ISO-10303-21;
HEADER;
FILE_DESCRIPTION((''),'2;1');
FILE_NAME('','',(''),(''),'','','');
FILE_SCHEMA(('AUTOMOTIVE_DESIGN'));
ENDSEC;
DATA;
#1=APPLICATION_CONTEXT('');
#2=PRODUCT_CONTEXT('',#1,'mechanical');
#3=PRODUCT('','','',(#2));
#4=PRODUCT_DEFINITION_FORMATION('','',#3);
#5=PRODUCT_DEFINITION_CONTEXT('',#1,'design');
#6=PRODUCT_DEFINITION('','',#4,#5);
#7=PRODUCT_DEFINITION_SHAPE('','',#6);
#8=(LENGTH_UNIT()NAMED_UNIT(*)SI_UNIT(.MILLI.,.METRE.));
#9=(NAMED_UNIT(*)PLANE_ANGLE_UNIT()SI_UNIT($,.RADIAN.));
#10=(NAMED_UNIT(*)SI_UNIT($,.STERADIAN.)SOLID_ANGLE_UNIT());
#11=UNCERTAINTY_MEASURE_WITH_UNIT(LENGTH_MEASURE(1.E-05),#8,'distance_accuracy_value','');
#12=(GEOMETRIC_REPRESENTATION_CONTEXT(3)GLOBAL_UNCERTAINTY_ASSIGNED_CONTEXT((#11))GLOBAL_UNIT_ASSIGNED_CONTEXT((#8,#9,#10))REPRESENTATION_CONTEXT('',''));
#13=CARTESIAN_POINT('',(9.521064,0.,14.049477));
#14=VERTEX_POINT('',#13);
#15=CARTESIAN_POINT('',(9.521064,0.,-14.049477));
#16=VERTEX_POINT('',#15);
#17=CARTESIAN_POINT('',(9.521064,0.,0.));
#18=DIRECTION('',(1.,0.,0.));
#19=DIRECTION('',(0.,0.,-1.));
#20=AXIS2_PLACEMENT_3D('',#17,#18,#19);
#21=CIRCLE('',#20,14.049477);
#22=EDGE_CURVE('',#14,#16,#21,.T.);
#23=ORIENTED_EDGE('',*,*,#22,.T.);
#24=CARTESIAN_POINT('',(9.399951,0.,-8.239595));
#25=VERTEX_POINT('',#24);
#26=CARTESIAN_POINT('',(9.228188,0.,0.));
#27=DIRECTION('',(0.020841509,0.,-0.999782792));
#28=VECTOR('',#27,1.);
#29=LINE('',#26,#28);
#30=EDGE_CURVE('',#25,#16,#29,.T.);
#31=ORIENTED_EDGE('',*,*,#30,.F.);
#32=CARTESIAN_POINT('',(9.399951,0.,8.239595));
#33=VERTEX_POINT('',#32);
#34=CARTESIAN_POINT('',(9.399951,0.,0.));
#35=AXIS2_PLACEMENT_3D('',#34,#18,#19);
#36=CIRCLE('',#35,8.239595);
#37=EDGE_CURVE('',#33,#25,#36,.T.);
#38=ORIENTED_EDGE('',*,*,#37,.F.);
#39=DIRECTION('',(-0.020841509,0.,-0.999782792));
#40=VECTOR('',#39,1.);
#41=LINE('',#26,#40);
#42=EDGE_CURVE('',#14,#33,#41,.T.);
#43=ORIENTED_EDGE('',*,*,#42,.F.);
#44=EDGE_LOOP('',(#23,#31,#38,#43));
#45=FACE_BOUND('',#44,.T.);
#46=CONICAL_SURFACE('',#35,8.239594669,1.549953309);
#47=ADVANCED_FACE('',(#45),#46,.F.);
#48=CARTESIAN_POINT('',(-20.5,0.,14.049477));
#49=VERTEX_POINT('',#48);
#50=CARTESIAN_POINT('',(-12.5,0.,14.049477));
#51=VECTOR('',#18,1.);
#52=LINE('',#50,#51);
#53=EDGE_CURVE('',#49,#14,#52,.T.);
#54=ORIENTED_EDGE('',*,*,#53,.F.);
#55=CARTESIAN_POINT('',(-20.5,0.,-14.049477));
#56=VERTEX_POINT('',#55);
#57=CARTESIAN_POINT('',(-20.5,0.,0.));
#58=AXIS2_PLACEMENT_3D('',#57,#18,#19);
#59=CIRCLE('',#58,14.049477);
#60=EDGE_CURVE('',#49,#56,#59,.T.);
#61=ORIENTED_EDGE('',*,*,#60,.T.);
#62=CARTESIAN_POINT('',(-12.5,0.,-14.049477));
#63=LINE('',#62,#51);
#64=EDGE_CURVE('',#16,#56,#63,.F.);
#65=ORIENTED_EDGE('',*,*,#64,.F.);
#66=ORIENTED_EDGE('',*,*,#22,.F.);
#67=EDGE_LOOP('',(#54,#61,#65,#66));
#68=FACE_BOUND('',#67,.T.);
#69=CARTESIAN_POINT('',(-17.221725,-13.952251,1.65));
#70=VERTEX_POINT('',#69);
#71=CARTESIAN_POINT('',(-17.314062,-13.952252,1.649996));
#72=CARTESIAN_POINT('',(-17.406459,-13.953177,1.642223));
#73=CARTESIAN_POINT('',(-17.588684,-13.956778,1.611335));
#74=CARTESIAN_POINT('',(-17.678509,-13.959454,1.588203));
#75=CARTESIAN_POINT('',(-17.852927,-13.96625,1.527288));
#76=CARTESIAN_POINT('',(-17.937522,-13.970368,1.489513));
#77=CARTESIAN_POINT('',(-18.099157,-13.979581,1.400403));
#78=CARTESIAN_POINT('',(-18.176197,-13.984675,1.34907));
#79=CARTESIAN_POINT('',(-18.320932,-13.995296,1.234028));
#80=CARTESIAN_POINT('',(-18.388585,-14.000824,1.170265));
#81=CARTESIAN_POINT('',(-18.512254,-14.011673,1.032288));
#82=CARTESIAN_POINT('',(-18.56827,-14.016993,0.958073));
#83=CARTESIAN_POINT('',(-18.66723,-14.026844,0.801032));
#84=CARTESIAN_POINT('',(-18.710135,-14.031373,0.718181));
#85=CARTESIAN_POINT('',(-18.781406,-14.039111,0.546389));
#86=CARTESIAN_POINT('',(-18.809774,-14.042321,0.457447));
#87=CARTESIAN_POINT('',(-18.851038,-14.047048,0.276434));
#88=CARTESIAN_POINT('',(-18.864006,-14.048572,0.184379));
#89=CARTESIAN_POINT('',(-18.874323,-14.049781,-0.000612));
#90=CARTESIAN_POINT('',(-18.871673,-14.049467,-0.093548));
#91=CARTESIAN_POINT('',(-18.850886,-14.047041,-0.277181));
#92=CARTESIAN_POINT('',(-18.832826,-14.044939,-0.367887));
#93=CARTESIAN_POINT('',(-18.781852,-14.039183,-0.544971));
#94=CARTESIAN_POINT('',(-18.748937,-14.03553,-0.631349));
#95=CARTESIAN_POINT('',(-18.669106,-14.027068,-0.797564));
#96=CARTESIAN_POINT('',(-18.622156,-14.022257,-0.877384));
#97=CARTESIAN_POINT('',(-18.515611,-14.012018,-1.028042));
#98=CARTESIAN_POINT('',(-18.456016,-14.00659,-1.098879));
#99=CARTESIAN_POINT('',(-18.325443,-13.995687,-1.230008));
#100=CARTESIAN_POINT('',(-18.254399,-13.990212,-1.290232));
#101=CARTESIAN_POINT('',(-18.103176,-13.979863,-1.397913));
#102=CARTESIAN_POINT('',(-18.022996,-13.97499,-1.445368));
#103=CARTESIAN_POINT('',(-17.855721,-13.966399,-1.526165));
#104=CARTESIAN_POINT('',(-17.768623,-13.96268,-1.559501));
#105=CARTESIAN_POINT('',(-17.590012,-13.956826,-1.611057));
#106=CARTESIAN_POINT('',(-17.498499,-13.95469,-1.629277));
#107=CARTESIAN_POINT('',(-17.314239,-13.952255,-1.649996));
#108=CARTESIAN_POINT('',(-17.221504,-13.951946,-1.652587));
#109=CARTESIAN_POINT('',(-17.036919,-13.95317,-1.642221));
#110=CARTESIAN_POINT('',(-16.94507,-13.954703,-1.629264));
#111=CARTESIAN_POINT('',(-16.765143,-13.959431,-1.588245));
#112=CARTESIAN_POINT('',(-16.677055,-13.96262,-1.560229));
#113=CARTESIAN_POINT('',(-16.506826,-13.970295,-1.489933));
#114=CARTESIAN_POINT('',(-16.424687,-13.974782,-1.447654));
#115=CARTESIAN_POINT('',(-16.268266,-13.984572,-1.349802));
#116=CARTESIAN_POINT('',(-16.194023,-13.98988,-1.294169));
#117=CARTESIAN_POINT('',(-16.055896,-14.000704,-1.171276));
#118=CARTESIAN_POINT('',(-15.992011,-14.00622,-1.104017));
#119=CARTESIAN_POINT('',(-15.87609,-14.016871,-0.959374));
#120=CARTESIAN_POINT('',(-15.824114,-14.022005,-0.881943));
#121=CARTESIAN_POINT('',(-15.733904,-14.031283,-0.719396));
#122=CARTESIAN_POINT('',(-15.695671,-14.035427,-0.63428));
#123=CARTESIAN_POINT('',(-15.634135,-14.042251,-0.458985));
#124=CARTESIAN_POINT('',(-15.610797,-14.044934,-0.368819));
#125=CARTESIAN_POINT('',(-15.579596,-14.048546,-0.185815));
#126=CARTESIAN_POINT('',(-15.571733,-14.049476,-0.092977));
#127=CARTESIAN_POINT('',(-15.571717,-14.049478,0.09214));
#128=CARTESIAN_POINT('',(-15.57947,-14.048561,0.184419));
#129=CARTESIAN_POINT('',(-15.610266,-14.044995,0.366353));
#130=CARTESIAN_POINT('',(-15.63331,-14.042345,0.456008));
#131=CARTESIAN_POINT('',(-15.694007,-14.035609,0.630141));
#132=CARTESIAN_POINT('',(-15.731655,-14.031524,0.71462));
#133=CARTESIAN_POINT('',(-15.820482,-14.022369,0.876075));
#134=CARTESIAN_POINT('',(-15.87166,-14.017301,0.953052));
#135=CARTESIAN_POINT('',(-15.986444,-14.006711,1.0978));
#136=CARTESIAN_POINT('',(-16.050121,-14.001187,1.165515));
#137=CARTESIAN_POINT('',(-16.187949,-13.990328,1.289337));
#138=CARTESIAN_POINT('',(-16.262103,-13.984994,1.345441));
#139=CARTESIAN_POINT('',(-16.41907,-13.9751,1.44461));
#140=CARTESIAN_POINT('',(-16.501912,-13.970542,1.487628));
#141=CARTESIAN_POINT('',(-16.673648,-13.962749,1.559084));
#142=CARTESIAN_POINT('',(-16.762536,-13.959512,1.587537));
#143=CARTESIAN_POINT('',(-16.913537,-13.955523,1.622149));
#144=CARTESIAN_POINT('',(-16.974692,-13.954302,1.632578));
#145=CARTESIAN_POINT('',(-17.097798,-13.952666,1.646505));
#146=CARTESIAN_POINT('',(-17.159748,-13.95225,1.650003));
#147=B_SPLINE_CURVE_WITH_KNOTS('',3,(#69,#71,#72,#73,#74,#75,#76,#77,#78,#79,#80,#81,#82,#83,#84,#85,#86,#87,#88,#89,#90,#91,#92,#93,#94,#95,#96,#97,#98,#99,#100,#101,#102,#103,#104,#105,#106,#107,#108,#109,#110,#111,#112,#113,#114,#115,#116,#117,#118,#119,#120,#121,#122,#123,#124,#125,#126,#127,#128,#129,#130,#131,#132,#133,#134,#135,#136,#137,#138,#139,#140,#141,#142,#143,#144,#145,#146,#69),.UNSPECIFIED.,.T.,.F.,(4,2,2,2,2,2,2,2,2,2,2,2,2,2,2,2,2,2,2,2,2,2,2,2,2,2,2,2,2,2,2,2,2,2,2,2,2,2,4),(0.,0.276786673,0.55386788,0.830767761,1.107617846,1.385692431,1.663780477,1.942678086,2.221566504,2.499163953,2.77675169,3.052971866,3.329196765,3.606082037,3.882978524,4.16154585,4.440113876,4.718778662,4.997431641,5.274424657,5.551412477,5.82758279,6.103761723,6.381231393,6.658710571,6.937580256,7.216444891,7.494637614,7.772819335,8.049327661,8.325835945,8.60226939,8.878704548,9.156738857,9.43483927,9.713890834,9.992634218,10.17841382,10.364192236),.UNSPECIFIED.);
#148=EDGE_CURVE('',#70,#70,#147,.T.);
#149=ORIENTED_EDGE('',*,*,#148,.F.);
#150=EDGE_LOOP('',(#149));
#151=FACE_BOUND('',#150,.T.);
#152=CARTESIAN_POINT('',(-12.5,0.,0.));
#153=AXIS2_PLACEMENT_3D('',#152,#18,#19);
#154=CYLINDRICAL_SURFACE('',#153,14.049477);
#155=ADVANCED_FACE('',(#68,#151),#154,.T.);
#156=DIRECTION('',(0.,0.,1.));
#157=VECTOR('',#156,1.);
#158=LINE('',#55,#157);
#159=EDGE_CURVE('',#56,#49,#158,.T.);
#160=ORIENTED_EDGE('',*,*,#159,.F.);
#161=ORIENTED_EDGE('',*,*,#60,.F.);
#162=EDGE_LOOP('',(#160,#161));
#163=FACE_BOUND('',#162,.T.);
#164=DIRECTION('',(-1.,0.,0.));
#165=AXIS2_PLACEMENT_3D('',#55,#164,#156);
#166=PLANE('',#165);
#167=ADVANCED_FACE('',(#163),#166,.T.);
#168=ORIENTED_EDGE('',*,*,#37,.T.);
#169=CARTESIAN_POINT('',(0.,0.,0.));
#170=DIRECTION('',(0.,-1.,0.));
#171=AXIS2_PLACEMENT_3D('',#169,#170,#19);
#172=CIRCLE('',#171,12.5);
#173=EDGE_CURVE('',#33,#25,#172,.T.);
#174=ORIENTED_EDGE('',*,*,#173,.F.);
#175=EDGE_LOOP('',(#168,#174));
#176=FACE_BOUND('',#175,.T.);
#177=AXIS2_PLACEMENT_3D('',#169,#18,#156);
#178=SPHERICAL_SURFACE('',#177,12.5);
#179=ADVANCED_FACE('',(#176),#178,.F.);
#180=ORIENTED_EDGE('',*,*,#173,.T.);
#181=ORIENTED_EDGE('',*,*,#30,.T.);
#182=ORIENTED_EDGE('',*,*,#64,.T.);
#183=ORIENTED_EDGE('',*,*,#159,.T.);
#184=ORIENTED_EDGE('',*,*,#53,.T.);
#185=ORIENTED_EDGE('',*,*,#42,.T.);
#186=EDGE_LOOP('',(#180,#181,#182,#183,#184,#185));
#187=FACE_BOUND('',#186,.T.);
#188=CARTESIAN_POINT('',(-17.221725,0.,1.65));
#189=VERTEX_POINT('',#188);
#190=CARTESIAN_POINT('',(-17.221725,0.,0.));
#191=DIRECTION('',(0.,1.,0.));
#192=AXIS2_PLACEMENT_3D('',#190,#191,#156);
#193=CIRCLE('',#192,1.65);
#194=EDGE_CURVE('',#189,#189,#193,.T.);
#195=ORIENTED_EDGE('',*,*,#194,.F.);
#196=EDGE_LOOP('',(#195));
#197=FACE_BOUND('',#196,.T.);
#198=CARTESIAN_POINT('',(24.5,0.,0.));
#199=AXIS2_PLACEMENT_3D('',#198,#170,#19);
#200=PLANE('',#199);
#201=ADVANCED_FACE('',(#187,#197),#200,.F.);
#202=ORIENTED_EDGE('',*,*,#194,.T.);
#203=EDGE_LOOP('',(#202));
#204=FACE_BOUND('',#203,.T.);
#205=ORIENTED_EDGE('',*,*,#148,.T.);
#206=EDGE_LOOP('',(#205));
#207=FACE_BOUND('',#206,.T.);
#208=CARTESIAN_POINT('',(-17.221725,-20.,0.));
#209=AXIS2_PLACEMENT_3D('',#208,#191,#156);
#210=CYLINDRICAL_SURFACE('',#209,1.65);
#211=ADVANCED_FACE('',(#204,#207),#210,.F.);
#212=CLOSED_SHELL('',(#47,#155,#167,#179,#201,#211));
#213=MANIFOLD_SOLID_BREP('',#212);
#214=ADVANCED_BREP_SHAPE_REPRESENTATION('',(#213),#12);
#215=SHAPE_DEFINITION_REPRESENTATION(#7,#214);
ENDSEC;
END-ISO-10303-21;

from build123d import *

# Parameters (mm, degrees)
CORTAR_EXTRUIR3_DEPTH = 45
CROQUIS6_R            = 1.65
CORTAR_EXTRUIR4_DEPTH = 20


with BuildPart() as part:
    # Croquis1 → Revolución3 (revolve)
    with BuildSketch(Plane(origin=(0, 0, 0), x_dir=(1, 0, 0), z_dir=(0, 1, 0))):
        with BuildLine():
            Line((-12.5, 0), (-20.5, 0))
            Line((-20.5, 0), (-20.5, 14.049477092))
            Line((-20.5, 14.049477092), (9.52106407, 14.049477092))
            Line((9.52106407, 14.049477092), (9.399951047, 8.239594669))
            ThreePointArc((9.399951047, 8.239594669), (-4.40173897, 11.699345881), (-12.5, 0))
        make_face()
    revolve(axis=Axis((-12.5, 0, 0), (-1, 0, 0)))

    # Croquis5 → Cortar-Extruir3 (cut)
    with BuildSketch(Plane.ZY.offset(20.5)):
        Polygon((0, 0), (-16.832618664, 0), (-16.832618664, 15.474654251), (15.925083383, 15.474654251), (15.925083383, 0), align=None)
    extrude(amount=-CORTAR_EXTRUIR3_DEPTH, mode=Mode.SUBTRACT)

    # Croquis6 → Cortar-Extruir4 (cut)
    with BuildSketch(Plane(origin=(0, 0, 0), x_dir=(1, 0, 0), z_dir=(0, 1, 0))):
        with Locations((-17.221724739, 0)):
            Circle(CROQUIS6_R)
    extrude(amount=-CORTAR_EXTRUIR4_DEPTH, mode=Mode.SUBTRACT)


solid = part.part
